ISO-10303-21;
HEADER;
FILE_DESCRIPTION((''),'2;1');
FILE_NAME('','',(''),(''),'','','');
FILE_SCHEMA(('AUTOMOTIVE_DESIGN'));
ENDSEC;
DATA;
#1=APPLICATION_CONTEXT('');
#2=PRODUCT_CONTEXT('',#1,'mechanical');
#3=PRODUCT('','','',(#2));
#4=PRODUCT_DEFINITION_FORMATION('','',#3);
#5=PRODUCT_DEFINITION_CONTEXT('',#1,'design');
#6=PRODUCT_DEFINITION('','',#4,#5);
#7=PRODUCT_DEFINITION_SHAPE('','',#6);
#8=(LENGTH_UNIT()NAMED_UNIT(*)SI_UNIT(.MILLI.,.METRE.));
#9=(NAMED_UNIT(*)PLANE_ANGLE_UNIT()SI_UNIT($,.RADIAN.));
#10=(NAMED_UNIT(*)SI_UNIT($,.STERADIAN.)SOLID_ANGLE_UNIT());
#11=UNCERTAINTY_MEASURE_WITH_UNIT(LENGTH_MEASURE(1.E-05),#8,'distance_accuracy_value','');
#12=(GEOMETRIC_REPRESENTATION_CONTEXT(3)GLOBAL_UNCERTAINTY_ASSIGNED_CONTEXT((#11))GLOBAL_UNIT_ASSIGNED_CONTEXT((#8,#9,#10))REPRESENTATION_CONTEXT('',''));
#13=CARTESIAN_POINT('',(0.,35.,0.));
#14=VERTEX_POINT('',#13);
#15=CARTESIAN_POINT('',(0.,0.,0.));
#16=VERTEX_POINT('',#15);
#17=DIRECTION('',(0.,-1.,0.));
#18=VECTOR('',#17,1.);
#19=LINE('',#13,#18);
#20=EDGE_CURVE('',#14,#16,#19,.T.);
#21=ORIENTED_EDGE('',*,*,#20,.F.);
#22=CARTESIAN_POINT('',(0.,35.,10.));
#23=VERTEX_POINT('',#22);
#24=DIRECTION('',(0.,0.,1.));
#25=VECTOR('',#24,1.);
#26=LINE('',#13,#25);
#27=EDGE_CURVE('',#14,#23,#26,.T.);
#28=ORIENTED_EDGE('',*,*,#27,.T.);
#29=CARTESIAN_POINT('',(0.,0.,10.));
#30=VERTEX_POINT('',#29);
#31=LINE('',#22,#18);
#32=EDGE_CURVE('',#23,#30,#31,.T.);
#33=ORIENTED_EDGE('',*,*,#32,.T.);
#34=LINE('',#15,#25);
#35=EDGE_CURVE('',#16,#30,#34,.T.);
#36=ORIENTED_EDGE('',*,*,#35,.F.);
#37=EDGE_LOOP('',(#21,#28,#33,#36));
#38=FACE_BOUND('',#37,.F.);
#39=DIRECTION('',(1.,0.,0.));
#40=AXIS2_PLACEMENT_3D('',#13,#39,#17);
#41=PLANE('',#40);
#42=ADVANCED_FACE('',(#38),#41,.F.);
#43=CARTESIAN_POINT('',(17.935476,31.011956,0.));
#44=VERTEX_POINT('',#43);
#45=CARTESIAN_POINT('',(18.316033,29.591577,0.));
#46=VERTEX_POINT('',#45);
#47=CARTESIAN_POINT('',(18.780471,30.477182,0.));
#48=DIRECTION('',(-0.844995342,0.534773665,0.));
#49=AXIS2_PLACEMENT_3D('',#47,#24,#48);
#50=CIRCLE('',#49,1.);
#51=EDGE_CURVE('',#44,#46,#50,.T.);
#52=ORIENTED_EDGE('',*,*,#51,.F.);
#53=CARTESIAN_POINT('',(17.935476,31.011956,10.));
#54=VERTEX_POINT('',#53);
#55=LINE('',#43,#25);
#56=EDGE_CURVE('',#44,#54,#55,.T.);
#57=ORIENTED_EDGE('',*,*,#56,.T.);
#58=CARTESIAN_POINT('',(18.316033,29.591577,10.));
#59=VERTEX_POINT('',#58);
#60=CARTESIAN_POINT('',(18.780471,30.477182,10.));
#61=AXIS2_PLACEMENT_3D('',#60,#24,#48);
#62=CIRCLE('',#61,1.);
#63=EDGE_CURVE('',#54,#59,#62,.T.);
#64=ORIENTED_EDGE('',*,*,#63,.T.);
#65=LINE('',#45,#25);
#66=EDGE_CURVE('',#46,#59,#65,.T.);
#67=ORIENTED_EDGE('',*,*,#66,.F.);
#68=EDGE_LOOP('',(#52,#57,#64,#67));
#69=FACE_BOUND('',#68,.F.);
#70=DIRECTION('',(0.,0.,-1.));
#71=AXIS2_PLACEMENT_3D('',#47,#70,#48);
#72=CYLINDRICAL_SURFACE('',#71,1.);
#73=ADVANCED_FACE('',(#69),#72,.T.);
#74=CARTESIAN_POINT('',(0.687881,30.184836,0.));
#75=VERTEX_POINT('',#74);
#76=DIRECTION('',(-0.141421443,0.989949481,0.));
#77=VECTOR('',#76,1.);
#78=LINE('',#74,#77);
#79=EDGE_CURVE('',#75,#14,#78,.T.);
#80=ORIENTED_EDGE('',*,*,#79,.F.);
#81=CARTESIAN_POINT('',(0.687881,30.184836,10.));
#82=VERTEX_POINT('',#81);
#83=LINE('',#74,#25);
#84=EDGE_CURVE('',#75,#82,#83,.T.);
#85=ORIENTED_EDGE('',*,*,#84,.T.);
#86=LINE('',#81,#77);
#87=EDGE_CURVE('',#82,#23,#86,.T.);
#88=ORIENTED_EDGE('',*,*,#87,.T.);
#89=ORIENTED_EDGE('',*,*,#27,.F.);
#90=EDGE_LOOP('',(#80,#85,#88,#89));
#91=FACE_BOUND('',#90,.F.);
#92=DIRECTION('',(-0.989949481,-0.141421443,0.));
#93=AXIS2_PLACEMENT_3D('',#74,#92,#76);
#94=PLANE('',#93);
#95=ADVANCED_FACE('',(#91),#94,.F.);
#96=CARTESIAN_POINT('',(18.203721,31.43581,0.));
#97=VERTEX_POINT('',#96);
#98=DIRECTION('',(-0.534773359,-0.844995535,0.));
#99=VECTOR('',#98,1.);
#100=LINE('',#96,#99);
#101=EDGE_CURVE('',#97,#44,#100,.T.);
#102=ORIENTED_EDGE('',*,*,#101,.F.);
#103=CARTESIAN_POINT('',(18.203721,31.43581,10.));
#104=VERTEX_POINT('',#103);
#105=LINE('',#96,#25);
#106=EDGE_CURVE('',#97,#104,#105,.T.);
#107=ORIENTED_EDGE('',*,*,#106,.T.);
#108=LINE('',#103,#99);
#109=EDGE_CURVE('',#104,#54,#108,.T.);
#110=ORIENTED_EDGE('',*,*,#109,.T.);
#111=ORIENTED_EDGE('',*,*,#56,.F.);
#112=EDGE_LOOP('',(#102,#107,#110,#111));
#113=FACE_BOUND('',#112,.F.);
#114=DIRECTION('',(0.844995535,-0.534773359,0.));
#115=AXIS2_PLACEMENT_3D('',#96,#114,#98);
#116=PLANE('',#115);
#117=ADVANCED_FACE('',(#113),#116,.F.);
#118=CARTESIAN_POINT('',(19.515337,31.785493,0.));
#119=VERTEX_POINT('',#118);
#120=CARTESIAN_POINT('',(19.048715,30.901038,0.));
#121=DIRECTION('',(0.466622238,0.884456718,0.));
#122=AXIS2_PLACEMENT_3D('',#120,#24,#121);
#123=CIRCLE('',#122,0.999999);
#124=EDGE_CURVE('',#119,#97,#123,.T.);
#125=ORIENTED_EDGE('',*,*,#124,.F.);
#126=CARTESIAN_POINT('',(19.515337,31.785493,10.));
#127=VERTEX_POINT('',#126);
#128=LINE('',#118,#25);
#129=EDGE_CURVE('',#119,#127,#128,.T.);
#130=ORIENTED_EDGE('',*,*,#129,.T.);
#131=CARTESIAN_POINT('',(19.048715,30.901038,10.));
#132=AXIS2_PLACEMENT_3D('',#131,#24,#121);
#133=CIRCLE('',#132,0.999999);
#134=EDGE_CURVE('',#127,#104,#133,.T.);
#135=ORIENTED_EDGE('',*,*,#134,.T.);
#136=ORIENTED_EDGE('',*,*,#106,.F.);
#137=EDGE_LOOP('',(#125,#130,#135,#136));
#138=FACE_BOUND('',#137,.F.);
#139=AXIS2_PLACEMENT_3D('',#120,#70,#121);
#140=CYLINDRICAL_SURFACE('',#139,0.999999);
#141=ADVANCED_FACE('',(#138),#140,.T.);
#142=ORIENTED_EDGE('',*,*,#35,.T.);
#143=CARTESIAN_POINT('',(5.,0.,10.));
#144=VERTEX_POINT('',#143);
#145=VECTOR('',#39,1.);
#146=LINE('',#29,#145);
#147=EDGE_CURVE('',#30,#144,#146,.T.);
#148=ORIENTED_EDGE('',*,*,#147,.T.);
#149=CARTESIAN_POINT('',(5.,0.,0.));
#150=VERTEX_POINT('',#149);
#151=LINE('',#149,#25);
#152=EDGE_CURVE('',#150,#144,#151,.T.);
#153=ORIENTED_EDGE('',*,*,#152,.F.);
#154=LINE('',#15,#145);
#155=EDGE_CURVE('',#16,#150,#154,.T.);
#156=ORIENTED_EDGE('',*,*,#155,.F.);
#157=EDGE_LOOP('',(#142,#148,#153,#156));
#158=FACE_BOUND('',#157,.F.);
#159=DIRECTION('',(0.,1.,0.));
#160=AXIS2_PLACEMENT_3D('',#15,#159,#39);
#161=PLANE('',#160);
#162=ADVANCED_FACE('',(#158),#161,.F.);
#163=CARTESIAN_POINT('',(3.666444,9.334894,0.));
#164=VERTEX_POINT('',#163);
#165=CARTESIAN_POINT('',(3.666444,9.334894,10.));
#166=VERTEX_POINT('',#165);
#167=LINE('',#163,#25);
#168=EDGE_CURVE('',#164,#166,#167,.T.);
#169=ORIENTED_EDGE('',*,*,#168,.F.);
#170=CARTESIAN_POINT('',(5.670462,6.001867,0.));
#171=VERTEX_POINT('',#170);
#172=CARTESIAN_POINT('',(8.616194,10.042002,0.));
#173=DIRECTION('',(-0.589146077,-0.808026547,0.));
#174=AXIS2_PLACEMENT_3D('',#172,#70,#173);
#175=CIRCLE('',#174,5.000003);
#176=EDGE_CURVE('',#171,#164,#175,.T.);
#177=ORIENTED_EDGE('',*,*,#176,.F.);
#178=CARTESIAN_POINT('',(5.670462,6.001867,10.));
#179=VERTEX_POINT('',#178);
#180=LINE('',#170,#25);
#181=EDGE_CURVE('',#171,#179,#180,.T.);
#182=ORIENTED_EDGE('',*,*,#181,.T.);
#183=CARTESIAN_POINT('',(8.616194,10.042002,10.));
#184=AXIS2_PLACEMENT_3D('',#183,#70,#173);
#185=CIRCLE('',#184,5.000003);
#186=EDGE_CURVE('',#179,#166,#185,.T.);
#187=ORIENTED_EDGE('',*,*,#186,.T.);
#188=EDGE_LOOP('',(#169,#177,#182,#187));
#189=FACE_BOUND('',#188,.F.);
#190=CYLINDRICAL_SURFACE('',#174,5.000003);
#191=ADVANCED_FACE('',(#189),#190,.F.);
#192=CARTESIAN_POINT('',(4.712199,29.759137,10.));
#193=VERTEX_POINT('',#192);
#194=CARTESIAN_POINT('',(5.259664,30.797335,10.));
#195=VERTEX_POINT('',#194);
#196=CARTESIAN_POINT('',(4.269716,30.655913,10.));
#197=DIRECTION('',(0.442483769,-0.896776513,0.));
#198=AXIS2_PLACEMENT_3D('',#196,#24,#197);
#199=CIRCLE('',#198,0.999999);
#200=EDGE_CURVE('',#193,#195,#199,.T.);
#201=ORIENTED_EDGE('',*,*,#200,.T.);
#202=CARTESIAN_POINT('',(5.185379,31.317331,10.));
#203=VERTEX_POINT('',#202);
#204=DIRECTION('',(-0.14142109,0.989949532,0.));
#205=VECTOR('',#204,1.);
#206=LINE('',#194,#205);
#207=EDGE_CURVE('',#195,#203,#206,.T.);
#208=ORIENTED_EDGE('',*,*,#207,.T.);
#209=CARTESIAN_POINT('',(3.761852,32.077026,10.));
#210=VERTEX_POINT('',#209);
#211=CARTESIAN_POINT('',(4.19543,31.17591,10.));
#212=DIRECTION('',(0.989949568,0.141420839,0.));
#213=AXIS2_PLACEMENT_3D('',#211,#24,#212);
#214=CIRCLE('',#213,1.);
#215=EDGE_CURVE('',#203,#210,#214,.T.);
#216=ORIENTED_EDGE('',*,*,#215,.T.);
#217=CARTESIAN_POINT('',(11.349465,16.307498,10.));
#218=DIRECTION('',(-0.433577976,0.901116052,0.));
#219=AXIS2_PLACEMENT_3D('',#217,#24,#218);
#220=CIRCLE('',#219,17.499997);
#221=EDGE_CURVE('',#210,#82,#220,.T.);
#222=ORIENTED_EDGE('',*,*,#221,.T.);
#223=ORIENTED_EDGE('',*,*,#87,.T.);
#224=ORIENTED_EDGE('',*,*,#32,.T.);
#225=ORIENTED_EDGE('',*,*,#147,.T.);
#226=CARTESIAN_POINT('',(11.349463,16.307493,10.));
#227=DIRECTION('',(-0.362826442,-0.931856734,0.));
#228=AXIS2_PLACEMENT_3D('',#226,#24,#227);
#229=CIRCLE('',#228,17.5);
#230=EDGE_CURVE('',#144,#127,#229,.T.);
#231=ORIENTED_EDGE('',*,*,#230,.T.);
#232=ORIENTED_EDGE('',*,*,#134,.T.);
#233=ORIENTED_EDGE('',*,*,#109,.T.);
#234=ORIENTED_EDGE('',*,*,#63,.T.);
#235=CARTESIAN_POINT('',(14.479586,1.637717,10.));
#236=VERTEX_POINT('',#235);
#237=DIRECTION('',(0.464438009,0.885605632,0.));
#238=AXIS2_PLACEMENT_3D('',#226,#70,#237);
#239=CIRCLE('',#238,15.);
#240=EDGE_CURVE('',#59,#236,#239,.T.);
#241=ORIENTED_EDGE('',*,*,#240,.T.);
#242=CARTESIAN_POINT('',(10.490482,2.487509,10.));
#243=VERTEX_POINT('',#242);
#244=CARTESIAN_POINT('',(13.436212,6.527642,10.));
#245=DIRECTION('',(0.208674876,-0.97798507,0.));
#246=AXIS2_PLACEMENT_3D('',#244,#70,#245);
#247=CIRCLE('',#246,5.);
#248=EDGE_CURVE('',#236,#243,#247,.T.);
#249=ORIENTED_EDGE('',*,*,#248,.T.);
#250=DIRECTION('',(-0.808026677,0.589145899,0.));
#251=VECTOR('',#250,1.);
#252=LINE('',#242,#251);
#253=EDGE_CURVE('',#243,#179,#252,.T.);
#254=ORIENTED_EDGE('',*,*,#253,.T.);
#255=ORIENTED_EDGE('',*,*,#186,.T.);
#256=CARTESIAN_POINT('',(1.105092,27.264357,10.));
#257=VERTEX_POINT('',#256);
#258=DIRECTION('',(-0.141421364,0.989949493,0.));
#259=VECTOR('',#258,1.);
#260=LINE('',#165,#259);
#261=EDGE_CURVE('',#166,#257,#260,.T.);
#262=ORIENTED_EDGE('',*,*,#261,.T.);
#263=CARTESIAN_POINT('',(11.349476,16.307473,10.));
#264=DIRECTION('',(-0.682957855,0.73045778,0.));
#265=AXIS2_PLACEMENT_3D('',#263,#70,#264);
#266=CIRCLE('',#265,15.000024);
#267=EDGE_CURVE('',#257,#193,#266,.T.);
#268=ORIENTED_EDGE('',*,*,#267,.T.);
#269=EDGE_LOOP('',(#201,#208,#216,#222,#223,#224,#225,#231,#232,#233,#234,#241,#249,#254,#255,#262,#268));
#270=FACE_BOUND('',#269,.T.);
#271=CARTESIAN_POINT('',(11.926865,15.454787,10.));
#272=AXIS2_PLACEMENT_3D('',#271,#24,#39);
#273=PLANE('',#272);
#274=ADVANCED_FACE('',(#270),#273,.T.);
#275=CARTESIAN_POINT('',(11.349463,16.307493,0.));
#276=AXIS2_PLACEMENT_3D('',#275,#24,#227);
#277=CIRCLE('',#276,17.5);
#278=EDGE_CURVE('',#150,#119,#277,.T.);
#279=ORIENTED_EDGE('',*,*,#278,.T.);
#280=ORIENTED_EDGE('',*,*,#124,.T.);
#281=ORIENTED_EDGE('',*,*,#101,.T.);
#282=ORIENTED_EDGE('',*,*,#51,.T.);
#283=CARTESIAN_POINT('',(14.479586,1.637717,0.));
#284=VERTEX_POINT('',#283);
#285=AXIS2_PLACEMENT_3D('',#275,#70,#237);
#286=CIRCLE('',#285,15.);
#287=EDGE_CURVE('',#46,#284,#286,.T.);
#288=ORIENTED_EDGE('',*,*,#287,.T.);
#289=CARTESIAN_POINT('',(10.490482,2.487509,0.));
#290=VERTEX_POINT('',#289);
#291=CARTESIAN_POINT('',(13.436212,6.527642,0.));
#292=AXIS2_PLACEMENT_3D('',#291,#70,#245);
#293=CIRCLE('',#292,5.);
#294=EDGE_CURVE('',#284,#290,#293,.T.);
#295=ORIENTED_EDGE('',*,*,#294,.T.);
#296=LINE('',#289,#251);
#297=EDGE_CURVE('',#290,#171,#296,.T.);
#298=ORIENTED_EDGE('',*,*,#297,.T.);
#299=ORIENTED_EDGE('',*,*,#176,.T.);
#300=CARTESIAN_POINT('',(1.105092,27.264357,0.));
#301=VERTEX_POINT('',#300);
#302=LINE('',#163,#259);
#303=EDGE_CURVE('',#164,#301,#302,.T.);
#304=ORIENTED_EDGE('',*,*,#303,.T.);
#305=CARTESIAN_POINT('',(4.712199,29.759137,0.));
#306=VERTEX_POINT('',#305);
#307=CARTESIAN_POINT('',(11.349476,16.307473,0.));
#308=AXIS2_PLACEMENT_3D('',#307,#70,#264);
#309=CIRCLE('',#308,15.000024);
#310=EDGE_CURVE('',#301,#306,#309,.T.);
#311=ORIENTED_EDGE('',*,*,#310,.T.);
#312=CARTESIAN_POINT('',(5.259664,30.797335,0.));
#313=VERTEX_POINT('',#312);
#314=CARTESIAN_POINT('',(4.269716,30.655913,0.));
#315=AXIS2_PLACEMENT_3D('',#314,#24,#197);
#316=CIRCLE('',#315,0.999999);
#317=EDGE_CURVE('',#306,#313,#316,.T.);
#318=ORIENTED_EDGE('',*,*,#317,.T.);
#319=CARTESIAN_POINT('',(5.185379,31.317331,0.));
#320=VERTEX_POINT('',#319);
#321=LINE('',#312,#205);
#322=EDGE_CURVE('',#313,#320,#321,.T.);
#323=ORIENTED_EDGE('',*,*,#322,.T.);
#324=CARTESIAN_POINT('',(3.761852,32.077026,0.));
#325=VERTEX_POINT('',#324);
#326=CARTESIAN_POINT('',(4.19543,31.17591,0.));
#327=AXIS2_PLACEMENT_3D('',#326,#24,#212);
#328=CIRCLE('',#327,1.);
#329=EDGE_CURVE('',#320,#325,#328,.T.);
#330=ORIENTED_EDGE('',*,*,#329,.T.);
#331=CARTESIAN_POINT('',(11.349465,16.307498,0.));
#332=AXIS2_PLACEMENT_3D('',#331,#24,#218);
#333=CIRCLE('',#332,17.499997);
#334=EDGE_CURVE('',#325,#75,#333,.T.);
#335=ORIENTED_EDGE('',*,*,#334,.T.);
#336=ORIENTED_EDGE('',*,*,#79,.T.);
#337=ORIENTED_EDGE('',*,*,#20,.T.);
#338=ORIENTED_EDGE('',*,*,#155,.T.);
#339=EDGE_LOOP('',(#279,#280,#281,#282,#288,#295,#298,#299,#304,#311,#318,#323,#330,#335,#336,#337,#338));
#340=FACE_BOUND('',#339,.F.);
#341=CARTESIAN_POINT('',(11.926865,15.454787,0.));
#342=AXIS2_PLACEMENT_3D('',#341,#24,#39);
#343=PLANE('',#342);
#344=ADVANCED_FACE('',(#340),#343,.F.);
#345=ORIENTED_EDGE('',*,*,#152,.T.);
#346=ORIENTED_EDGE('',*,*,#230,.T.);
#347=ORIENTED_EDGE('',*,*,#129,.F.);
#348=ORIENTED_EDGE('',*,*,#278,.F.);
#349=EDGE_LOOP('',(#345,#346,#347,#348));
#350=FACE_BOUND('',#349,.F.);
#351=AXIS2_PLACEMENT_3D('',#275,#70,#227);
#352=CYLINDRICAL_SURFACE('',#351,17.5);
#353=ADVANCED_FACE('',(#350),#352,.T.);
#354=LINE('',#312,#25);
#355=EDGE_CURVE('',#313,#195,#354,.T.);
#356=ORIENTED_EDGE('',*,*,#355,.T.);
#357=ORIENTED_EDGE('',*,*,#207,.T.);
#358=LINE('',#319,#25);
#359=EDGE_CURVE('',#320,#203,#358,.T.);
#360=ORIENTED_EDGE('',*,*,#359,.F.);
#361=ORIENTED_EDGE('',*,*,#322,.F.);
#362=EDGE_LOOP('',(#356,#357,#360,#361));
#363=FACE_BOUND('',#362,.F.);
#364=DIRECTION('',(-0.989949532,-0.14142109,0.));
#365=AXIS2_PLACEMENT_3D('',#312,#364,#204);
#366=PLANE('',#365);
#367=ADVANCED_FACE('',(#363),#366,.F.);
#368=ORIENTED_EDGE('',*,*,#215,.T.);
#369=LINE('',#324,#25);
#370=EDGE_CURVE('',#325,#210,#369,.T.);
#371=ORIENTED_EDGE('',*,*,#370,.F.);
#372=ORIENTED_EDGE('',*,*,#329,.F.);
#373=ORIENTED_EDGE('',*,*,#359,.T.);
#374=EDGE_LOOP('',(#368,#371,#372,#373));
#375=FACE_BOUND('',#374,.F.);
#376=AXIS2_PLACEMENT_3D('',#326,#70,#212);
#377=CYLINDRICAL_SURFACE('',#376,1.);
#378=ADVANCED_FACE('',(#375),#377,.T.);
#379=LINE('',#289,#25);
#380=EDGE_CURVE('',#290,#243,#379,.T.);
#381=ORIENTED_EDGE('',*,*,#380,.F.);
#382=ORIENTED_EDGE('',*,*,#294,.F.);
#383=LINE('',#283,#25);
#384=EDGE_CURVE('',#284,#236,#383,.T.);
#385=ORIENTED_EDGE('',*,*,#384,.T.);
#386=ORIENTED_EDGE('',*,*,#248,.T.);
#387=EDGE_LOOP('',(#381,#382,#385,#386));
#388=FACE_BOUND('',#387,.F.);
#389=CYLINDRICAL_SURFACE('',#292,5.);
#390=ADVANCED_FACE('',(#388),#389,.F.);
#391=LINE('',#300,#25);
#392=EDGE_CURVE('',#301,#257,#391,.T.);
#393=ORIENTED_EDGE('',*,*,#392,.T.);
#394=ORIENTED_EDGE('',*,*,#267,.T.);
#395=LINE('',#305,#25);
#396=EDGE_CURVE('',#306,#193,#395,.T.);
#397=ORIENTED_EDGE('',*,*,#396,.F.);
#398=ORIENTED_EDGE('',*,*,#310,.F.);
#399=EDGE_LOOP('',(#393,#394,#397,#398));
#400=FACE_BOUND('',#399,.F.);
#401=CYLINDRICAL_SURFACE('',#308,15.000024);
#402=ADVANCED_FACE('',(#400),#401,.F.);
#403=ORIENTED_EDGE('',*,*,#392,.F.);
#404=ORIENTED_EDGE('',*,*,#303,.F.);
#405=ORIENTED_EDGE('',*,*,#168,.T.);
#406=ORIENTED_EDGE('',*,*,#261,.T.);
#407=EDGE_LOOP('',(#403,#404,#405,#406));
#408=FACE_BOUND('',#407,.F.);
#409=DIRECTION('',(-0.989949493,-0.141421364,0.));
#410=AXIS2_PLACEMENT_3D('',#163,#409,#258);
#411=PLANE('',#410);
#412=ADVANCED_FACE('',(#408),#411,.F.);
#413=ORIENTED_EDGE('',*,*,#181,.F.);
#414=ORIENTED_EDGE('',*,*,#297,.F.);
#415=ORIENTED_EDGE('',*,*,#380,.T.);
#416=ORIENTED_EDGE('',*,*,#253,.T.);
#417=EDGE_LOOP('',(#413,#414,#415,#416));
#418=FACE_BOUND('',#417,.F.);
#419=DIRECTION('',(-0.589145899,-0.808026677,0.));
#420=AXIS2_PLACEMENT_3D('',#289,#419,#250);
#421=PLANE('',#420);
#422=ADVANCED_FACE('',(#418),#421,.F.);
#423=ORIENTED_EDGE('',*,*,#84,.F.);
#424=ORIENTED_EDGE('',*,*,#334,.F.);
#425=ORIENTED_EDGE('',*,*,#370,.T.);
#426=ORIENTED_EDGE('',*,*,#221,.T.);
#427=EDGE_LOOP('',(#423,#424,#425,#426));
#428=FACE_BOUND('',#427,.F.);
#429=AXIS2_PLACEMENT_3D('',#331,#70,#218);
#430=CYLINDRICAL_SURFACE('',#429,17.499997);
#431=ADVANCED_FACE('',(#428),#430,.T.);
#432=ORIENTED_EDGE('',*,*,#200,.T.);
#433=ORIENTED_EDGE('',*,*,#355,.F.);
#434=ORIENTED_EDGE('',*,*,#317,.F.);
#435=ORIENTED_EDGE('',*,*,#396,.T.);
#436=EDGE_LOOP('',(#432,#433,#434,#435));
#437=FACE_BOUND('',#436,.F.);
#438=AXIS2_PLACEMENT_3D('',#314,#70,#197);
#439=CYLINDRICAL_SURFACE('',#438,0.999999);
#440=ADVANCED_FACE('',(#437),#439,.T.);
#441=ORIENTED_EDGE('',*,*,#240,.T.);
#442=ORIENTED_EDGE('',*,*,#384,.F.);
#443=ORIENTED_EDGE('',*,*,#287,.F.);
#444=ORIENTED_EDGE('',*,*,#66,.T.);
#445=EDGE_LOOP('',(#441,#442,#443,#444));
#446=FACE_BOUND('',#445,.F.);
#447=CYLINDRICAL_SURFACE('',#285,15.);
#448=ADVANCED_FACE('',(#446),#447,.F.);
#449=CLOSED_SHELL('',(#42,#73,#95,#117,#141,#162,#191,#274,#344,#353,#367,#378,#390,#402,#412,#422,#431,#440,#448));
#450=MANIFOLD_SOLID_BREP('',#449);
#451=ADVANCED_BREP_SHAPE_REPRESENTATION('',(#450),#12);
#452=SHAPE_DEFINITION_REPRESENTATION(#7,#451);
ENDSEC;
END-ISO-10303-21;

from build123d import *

# Parameters (mm, degrees)
F1_DEPTH = 10


with BuildPart() as f1:
    # F0 (on Top) → F1 (new body)
    with BuildSketch(Plane.XY):
        with BuildLine():
            Line((0, 35), (0, 0))
            Line((0, 0), (5, 0))
            ThreePointArc((5, 0), (27.268138, 9.037983), (19.515337, 31.785493))
            ThreePointArc((19.515337, 31.785493), (18.791109, 31.867286), (18.203721, 31.43581))
            Line((18.203721, 31.43581), (17.935476, 31.011956))
            ThreePointArc((17.935476, 31.011956), (17.81454, 30.218384), (18.316033, 29.591577))
            ThreePointArc((18.316033, 29.591577), (26.210162, 14.267979), (14.479586, 1.637717))
            ThreePointArc((14.479586, 1.637717), (12.394446, 1.637374), (10.490482, 2.487509))
            Line((10.490482, 2.487509), (5.670462, 6.001867))
            ThreePointArc((5.670462, 6.001867), (4.331112, 7.465551), (3.666444, 9.334894))
            Line((3.666444, 9.334894), (1.105092, 27.264357))
            ThreePointArc((1.105092, 27.264357), (2.816973, 28.644292), (4.712199, 29.759137))
            ThreePointArc((4.712199, 29.759137), (5.154266, 30.18947), (5.259664, 30.797335))
            Line((5.259664, 30.797335), (5.185379, 31.317331))
            ThreePointArc((5.185379, 31.317331), (4.66625, 32.058139), (3.761852, 32.077026))
            ThreePointArc((3.761852, 32.077026), (2.175949, 31.2104), (0.687881, 30.184836))
            Line((0.687881, 30.184836), (0, 35))
        make_face()
    extrude(amount=F1_DEPTH)


solid = f1.part
